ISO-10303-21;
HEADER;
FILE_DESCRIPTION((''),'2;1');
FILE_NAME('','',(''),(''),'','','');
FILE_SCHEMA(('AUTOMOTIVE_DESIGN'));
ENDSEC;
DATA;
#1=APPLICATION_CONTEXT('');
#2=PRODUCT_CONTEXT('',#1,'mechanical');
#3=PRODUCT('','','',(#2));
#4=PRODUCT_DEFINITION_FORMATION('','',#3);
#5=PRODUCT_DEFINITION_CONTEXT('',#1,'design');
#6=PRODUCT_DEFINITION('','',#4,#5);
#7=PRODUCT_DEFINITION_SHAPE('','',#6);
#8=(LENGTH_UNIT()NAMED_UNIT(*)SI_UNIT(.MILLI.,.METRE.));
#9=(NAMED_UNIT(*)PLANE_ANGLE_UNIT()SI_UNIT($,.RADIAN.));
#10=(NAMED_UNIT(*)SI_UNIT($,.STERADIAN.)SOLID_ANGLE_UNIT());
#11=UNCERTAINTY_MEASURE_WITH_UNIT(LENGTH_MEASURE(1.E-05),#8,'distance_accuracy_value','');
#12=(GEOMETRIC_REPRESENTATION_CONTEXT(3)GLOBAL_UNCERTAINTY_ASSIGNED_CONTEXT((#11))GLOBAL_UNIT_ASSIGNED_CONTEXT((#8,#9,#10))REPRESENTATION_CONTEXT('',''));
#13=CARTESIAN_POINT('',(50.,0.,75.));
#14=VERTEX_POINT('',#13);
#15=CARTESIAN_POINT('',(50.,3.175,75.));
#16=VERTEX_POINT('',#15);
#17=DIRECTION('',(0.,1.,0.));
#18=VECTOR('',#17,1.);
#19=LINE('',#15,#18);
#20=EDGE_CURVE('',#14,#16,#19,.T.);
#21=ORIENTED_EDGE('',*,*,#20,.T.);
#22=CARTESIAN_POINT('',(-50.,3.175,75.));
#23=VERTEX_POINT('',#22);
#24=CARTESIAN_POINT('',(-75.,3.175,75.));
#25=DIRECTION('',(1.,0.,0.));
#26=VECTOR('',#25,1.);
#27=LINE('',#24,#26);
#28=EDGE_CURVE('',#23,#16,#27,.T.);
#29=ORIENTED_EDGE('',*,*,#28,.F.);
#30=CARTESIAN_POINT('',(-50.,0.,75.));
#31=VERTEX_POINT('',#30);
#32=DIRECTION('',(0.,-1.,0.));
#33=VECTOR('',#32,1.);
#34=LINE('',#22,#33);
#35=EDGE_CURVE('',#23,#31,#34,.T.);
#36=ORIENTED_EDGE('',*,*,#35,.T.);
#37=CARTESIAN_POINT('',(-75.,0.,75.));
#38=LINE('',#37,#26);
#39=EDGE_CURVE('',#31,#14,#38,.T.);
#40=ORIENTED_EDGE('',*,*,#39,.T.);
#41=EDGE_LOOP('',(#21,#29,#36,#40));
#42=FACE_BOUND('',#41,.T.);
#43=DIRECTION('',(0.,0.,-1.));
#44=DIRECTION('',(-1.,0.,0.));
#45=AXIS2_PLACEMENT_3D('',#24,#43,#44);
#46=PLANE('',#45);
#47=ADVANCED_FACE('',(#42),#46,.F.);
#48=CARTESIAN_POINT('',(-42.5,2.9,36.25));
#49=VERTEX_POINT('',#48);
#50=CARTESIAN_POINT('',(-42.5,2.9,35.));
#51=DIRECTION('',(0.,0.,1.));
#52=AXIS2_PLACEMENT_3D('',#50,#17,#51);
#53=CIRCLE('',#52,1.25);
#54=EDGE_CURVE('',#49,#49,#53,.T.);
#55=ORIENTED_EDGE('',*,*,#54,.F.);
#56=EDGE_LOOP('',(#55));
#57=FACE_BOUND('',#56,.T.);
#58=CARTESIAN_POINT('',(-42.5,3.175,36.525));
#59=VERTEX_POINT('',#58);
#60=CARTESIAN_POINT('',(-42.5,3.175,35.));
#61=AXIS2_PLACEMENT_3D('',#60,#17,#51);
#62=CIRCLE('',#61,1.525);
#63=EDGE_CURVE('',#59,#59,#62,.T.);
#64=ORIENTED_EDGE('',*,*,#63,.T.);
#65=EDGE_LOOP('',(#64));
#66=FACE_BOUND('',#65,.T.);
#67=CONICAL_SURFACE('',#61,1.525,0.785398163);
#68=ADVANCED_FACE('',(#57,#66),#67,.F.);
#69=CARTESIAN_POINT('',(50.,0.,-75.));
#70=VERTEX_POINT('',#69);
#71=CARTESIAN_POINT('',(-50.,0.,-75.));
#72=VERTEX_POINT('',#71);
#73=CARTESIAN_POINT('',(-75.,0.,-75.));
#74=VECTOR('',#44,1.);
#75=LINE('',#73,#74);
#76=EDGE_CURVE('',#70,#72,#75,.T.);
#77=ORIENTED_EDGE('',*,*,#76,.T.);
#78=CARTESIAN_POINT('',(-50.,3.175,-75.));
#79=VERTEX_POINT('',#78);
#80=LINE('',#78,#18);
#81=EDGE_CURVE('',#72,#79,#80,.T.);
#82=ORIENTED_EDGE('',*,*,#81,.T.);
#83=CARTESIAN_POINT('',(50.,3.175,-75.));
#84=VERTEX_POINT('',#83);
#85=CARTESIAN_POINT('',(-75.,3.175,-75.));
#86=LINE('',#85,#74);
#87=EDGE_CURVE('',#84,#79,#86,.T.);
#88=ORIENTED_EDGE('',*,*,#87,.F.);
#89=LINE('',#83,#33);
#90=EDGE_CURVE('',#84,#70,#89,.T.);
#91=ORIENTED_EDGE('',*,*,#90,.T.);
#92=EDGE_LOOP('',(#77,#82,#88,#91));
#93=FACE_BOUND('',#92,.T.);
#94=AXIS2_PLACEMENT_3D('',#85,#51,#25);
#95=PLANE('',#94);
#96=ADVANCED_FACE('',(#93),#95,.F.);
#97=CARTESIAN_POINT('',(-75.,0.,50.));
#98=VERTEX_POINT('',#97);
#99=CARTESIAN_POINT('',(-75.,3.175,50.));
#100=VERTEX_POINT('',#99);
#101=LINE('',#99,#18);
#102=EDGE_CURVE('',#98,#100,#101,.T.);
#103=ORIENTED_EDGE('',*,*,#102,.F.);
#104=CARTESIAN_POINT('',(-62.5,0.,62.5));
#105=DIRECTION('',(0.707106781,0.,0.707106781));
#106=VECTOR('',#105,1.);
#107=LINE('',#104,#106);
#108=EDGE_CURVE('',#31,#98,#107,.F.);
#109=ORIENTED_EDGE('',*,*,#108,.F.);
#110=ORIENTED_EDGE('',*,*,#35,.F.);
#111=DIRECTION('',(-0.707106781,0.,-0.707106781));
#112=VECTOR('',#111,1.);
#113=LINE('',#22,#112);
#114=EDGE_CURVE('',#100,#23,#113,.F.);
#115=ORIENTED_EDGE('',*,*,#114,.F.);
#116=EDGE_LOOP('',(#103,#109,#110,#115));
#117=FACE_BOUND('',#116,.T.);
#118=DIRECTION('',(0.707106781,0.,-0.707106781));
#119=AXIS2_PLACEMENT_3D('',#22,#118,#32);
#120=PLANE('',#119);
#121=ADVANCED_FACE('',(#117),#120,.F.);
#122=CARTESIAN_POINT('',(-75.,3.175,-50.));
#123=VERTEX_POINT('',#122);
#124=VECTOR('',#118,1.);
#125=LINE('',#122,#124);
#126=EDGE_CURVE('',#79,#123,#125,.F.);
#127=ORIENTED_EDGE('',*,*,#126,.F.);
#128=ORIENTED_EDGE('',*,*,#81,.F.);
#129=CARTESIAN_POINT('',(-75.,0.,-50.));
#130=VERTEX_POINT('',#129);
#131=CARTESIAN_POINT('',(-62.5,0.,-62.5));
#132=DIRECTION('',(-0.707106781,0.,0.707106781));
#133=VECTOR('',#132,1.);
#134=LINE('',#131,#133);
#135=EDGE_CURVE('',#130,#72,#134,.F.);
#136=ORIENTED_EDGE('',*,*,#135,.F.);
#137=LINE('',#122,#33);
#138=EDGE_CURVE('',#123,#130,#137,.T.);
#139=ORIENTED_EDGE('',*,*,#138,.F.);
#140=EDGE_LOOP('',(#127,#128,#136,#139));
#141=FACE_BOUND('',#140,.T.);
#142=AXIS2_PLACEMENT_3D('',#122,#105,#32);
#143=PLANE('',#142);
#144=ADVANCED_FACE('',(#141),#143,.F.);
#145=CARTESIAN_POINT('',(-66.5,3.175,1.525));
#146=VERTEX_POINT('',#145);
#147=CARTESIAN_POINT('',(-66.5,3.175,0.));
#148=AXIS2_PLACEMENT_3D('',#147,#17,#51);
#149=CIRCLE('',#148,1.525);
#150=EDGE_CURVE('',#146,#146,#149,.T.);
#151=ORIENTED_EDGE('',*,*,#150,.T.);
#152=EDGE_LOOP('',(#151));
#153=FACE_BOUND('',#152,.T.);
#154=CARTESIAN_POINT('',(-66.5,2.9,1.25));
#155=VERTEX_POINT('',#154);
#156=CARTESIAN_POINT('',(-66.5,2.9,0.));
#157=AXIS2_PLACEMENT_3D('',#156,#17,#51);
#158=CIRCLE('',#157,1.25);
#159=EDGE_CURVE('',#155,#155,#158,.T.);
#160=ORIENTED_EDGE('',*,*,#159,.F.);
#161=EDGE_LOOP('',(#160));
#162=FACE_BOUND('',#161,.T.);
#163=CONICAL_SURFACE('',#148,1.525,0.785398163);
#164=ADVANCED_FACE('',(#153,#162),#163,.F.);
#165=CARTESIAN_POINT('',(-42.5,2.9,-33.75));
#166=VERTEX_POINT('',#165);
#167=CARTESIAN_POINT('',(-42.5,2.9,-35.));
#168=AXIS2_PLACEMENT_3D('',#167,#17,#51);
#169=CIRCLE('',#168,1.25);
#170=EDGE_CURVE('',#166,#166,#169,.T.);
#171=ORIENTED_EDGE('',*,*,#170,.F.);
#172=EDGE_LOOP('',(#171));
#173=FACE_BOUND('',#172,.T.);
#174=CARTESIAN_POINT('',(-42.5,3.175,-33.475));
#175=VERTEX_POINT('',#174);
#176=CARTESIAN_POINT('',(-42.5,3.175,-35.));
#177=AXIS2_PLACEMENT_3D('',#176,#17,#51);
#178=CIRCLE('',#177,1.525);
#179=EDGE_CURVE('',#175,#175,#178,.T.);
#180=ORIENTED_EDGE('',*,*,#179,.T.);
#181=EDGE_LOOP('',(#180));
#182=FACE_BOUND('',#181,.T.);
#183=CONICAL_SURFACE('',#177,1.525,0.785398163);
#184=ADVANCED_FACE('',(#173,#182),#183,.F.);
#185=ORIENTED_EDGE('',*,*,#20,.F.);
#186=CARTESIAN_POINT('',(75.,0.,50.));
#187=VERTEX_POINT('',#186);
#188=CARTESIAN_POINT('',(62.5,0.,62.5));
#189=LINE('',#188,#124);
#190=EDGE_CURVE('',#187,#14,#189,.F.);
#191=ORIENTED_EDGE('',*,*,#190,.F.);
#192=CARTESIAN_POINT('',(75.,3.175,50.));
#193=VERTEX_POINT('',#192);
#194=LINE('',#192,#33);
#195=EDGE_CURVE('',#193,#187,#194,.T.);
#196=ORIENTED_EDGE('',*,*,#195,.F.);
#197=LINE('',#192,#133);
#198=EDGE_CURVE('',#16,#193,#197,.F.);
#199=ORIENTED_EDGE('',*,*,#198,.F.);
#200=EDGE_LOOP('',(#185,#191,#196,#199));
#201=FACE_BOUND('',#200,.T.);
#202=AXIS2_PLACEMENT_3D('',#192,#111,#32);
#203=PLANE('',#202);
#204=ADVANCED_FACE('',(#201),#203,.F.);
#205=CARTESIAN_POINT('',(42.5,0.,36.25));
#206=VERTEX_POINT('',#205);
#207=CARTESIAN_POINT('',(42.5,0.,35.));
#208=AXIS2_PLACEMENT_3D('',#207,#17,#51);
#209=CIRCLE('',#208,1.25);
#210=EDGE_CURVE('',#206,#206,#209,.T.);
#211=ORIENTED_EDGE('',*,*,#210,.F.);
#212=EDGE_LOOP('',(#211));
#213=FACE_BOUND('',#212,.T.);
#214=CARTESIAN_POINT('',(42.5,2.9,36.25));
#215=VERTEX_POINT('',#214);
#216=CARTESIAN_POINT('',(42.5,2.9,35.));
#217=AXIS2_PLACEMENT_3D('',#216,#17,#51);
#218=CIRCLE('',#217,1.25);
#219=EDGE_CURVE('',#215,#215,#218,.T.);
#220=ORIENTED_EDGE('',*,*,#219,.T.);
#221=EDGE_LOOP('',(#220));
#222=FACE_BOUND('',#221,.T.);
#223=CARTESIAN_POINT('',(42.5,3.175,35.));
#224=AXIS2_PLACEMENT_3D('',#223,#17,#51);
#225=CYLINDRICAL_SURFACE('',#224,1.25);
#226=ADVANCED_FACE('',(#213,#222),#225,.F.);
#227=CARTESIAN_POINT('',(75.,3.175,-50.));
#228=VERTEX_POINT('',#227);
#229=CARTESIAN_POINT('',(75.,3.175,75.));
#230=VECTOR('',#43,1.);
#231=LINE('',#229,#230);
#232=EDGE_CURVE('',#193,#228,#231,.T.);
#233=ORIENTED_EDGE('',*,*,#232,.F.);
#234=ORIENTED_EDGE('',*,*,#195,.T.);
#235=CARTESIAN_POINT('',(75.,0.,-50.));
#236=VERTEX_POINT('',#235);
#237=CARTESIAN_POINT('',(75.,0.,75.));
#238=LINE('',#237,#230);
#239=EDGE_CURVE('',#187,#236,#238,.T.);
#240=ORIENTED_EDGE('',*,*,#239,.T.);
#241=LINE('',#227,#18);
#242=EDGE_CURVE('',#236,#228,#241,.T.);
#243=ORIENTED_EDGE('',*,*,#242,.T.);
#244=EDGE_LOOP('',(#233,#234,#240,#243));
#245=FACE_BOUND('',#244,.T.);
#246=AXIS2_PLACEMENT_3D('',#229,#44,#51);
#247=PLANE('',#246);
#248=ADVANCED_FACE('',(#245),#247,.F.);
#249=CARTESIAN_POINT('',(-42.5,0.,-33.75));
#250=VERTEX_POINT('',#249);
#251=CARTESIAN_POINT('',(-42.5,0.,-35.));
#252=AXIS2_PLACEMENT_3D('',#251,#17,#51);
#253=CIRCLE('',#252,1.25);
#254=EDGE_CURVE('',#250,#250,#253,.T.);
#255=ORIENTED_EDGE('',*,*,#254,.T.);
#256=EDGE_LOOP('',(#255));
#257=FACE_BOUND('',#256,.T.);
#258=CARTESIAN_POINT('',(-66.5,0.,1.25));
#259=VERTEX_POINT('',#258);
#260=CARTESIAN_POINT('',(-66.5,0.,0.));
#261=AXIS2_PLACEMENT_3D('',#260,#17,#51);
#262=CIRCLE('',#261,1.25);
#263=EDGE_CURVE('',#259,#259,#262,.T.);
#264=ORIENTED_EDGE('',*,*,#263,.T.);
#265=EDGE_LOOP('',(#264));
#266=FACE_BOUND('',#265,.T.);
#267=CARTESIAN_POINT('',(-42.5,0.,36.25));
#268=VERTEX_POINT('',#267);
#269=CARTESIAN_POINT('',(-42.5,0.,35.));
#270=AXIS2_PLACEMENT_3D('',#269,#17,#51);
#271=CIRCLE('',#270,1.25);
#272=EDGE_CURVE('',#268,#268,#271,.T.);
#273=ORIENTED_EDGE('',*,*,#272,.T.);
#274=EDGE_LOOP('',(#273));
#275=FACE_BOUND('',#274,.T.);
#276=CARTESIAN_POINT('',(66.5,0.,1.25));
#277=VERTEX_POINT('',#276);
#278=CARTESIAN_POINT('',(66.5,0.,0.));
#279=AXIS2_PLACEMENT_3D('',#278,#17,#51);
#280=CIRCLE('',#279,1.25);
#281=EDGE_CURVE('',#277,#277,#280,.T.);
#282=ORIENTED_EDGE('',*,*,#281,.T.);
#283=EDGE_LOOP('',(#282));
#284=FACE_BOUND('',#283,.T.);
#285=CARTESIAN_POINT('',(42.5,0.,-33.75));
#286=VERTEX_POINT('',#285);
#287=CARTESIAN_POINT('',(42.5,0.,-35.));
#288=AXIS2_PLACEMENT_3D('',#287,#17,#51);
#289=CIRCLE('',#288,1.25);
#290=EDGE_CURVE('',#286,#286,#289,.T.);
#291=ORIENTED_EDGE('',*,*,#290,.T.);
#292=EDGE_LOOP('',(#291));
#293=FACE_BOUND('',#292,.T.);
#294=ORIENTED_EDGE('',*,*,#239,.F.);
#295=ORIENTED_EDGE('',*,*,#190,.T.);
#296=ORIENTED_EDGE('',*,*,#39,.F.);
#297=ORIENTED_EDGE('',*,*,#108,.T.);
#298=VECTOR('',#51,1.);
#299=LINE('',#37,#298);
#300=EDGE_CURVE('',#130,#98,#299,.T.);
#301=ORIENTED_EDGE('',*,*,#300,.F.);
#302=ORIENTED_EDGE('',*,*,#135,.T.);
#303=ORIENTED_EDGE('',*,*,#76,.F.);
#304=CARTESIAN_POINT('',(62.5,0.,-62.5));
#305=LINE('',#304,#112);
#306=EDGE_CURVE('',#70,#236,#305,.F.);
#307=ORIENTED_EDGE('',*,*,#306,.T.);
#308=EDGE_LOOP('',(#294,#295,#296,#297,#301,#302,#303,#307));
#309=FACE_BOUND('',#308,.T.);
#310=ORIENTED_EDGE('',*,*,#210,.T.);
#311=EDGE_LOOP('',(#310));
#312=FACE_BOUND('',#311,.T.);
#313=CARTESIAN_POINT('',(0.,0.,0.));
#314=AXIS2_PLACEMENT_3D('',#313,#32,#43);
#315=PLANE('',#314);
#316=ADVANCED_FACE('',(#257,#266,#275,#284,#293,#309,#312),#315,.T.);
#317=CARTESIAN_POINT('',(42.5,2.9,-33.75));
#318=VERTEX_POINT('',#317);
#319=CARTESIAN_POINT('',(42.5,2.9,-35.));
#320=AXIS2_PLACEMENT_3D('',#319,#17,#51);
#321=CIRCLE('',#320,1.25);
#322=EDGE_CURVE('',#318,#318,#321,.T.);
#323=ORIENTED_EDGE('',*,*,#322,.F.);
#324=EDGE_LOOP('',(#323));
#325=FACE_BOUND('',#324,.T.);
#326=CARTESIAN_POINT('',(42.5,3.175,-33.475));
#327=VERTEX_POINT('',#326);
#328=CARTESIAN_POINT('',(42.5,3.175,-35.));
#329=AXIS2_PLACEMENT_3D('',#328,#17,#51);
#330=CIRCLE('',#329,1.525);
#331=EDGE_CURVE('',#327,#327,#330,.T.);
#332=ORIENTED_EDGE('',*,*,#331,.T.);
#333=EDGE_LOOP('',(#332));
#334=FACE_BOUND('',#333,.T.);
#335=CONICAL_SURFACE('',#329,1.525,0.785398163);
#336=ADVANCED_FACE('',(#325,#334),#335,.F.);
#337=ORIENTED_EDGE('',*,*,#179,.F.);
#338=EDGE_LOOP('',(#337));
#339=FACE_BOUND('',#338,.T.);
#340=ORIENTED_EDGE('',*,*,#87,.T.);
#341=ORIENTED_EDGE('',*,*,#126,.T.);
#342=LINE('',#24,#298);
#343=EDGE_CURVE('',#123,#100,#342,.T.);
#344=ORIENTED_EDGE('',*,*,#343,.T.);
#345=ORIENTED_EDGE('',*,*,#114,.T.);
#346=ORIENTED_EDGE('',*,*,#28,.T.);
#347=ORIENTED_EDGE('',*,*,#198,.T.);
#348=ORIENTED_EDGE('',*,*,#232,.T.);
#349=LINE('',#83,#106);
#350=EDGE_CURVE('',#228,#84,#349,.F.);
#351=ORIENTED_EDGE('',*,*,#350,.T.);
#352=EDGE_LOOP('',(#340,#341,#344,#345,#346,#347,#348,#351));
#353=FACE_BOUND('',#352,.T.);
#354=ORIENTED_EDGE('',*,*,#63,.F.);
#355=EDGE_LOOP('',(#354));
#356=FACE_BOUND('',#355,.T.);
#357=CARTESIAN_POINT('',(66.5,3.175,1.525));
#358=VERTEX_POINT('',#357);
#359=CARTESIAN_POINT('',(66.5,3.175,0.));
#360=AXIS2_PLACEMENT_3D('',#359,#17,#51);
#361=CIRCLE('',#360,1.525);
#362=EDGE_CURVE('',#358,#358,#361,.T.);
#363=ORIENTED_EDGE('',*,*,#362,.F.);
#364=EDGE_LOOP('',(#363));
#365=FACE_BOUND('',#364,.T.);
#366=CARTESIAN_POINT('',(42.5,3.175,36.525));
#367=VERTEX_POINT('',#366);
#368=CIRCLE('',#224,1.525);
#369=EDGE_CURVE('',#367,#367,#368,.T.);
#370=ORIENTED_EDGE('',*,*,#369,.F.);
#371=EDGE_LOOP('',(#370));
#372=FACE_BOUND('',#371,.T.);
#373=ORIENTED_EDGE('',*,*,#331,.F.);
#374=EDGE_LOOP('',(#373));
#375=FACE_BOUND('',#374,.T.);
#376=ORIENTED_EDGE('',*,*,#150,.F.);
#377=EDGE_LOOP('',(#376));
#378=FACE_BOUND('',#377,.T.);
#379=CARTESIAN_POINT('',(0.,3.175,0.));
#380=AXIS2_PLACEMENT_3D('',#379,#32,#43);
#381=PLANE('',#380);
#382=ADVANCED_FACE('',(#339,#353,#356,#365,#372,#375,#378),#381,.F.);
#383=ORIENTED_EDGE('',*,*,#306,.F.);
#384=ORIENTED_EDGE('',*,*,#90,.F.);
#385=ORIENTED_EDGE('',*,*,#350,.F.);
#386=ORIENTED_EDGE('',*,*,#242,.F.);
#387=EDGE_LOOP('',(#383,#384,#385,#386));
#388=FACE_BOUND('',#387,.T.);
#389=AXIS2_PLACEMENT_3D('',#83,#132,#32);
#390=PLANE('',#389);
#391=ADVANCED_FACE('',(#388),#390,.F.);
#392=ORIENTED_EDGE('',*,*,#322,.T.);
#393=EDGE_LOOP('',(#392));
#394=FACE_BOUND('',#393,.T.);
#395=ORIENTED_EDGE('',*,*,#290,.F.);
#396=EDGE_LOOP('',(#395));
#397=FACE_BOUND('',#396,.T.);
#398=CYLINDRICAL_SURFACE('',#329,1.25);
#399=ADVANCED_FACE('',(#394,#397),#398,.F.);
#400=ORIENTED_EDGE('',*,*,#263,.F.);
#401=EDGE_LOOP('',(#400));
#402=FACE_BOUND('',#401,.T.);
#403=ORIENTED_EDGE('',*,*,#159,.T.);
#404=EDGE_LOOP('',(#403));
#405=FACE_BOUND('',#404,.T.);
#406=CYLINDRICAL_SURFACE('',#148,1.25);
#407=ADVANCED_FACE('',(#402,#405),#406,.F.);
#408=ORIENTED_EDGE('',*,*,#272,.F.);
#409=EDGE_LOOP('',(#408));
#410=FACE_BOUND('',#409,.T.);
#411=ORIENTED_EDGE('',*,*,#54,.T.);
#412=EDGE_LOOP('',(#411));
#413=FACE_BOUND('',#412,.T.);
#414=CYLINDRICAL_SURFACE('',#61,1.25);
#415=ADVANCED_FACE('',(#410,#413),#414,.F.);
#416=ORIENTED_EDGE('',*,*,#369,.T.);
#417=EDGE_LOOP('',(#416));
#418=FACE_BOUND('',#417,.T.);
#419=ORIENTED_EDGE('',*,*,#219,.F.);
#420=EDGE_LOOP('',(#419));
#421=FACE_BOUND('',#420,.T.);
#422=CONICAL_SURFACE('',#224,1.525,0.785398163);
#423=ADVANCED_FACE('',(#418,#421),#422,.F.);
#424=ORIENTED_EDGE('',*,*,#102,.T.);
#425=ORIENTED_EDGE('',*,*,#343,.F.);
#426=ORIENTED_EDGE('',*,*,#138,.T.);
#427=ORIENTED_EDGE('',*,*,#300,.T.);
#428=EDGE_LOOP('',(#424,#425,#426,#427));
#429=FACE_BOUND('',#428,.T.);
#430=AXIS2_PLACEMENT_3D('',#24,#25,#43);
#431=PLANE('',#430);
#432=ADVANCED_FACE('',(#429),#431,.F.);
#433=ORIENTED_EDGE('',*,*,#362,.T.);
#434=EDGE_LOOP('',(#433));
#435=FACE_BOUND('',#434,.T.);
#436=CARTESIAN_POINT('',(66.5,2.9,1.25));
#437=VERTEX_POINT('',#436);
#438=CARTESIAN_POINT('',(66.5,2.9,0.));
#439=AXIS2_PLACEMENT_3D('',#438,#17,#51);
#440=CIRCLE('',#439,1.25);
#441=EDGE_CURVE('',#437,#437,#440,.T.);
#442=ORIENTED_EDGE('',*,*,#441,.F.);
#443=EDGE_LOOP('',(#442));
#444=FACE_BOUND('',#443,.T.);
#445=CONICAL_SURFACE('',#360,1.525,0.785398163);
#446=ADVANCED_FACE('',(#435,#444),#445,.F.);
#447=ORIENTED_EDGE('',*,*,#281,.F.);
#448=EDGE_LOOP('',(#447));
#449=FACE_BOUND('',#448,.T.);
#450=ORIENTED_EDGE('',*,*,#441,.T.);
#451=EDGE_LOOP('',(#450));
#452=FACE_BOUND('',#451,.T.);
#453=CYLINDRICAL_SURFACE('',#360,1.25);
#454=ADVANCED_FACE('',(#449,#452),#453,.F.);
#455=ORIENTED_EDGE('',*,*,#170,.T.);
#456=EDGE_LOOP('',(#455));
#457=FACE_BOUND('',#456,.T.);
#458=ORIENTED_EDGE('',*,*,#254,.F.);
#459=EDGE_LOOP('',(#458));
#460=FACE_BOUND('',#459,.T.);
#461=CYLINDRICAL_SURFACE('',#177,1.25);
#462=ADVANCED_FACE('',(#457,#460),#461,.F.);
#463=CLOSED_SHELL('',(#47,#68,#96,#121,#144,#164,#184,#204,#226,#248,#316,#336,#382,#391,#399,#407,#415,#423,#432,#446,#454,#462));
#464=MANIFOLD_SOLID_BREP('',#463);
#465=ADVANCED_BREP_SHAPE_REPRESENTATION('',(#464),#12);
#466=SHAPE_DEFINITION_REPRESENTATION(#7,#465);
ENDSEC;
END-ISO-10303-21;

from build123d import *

# Parameters (mm, degrees)
SKETCH2_W                       = 150
SKETCH2_H                       = 150
BOSS_EXTRUDE2_DEPTH             = 3.175
CHAMFER1_SIZE                   = 25
M3X0_5_TAPPED_HOLE1_D           = 2.5
M3X0_5_TAPPED_HOLE1_CSINK_D     = 3.05
M3X0_5_TAPPED_HOLE1_CSINK_ANGLE = 90


with BuildPart() as part:
    # Sketch2 → Boss-Extrude2 (new body)
    with BuildSketch(Plane(origin=(0, 0, 0), x_dir=(1, 0, 0), z_dir=(0, 1, 0))):
        Rectangle(SKETCH2_W, SKETCH2_H)
    extrude(amount=BOSS_EXTRUDE2_DEPTH)

    # Chamfer1
    chamfer1_edges = [part.edges().sort_by_distance(p)[0] for p in [
        (75, 1.5875, 75),
        (-75, 1.5875, 75),
        (-75, 1.5875, -75),
        (75, 1.5875, -75),
    ]]
    chamfer(chamfer1_edges, length=CHAMFER1_SIZE)

    # M3x0.5 Tapped Hole1 (through all)
    with Locations(Plane(origin=(0, 3.175, 0), x_dir=(1, 0, 0), z_dir=(0, 1, 0))):
        with Locations((-42.5, 35), (42.5, 35), (-42.5, -35), (42.5, -35), (-66.5, 0), (66.5, 0)):
            CounterSinkHole(M3X0_5_TAPPED_HOLE1_D / 2, M3X0_5_TAPPED_HOLE1_CSINK_D / 2, counter_sink_angle=M3X0_5_TAPPED_HOLE1_CSINK_ANGLE)


solid = part.part
